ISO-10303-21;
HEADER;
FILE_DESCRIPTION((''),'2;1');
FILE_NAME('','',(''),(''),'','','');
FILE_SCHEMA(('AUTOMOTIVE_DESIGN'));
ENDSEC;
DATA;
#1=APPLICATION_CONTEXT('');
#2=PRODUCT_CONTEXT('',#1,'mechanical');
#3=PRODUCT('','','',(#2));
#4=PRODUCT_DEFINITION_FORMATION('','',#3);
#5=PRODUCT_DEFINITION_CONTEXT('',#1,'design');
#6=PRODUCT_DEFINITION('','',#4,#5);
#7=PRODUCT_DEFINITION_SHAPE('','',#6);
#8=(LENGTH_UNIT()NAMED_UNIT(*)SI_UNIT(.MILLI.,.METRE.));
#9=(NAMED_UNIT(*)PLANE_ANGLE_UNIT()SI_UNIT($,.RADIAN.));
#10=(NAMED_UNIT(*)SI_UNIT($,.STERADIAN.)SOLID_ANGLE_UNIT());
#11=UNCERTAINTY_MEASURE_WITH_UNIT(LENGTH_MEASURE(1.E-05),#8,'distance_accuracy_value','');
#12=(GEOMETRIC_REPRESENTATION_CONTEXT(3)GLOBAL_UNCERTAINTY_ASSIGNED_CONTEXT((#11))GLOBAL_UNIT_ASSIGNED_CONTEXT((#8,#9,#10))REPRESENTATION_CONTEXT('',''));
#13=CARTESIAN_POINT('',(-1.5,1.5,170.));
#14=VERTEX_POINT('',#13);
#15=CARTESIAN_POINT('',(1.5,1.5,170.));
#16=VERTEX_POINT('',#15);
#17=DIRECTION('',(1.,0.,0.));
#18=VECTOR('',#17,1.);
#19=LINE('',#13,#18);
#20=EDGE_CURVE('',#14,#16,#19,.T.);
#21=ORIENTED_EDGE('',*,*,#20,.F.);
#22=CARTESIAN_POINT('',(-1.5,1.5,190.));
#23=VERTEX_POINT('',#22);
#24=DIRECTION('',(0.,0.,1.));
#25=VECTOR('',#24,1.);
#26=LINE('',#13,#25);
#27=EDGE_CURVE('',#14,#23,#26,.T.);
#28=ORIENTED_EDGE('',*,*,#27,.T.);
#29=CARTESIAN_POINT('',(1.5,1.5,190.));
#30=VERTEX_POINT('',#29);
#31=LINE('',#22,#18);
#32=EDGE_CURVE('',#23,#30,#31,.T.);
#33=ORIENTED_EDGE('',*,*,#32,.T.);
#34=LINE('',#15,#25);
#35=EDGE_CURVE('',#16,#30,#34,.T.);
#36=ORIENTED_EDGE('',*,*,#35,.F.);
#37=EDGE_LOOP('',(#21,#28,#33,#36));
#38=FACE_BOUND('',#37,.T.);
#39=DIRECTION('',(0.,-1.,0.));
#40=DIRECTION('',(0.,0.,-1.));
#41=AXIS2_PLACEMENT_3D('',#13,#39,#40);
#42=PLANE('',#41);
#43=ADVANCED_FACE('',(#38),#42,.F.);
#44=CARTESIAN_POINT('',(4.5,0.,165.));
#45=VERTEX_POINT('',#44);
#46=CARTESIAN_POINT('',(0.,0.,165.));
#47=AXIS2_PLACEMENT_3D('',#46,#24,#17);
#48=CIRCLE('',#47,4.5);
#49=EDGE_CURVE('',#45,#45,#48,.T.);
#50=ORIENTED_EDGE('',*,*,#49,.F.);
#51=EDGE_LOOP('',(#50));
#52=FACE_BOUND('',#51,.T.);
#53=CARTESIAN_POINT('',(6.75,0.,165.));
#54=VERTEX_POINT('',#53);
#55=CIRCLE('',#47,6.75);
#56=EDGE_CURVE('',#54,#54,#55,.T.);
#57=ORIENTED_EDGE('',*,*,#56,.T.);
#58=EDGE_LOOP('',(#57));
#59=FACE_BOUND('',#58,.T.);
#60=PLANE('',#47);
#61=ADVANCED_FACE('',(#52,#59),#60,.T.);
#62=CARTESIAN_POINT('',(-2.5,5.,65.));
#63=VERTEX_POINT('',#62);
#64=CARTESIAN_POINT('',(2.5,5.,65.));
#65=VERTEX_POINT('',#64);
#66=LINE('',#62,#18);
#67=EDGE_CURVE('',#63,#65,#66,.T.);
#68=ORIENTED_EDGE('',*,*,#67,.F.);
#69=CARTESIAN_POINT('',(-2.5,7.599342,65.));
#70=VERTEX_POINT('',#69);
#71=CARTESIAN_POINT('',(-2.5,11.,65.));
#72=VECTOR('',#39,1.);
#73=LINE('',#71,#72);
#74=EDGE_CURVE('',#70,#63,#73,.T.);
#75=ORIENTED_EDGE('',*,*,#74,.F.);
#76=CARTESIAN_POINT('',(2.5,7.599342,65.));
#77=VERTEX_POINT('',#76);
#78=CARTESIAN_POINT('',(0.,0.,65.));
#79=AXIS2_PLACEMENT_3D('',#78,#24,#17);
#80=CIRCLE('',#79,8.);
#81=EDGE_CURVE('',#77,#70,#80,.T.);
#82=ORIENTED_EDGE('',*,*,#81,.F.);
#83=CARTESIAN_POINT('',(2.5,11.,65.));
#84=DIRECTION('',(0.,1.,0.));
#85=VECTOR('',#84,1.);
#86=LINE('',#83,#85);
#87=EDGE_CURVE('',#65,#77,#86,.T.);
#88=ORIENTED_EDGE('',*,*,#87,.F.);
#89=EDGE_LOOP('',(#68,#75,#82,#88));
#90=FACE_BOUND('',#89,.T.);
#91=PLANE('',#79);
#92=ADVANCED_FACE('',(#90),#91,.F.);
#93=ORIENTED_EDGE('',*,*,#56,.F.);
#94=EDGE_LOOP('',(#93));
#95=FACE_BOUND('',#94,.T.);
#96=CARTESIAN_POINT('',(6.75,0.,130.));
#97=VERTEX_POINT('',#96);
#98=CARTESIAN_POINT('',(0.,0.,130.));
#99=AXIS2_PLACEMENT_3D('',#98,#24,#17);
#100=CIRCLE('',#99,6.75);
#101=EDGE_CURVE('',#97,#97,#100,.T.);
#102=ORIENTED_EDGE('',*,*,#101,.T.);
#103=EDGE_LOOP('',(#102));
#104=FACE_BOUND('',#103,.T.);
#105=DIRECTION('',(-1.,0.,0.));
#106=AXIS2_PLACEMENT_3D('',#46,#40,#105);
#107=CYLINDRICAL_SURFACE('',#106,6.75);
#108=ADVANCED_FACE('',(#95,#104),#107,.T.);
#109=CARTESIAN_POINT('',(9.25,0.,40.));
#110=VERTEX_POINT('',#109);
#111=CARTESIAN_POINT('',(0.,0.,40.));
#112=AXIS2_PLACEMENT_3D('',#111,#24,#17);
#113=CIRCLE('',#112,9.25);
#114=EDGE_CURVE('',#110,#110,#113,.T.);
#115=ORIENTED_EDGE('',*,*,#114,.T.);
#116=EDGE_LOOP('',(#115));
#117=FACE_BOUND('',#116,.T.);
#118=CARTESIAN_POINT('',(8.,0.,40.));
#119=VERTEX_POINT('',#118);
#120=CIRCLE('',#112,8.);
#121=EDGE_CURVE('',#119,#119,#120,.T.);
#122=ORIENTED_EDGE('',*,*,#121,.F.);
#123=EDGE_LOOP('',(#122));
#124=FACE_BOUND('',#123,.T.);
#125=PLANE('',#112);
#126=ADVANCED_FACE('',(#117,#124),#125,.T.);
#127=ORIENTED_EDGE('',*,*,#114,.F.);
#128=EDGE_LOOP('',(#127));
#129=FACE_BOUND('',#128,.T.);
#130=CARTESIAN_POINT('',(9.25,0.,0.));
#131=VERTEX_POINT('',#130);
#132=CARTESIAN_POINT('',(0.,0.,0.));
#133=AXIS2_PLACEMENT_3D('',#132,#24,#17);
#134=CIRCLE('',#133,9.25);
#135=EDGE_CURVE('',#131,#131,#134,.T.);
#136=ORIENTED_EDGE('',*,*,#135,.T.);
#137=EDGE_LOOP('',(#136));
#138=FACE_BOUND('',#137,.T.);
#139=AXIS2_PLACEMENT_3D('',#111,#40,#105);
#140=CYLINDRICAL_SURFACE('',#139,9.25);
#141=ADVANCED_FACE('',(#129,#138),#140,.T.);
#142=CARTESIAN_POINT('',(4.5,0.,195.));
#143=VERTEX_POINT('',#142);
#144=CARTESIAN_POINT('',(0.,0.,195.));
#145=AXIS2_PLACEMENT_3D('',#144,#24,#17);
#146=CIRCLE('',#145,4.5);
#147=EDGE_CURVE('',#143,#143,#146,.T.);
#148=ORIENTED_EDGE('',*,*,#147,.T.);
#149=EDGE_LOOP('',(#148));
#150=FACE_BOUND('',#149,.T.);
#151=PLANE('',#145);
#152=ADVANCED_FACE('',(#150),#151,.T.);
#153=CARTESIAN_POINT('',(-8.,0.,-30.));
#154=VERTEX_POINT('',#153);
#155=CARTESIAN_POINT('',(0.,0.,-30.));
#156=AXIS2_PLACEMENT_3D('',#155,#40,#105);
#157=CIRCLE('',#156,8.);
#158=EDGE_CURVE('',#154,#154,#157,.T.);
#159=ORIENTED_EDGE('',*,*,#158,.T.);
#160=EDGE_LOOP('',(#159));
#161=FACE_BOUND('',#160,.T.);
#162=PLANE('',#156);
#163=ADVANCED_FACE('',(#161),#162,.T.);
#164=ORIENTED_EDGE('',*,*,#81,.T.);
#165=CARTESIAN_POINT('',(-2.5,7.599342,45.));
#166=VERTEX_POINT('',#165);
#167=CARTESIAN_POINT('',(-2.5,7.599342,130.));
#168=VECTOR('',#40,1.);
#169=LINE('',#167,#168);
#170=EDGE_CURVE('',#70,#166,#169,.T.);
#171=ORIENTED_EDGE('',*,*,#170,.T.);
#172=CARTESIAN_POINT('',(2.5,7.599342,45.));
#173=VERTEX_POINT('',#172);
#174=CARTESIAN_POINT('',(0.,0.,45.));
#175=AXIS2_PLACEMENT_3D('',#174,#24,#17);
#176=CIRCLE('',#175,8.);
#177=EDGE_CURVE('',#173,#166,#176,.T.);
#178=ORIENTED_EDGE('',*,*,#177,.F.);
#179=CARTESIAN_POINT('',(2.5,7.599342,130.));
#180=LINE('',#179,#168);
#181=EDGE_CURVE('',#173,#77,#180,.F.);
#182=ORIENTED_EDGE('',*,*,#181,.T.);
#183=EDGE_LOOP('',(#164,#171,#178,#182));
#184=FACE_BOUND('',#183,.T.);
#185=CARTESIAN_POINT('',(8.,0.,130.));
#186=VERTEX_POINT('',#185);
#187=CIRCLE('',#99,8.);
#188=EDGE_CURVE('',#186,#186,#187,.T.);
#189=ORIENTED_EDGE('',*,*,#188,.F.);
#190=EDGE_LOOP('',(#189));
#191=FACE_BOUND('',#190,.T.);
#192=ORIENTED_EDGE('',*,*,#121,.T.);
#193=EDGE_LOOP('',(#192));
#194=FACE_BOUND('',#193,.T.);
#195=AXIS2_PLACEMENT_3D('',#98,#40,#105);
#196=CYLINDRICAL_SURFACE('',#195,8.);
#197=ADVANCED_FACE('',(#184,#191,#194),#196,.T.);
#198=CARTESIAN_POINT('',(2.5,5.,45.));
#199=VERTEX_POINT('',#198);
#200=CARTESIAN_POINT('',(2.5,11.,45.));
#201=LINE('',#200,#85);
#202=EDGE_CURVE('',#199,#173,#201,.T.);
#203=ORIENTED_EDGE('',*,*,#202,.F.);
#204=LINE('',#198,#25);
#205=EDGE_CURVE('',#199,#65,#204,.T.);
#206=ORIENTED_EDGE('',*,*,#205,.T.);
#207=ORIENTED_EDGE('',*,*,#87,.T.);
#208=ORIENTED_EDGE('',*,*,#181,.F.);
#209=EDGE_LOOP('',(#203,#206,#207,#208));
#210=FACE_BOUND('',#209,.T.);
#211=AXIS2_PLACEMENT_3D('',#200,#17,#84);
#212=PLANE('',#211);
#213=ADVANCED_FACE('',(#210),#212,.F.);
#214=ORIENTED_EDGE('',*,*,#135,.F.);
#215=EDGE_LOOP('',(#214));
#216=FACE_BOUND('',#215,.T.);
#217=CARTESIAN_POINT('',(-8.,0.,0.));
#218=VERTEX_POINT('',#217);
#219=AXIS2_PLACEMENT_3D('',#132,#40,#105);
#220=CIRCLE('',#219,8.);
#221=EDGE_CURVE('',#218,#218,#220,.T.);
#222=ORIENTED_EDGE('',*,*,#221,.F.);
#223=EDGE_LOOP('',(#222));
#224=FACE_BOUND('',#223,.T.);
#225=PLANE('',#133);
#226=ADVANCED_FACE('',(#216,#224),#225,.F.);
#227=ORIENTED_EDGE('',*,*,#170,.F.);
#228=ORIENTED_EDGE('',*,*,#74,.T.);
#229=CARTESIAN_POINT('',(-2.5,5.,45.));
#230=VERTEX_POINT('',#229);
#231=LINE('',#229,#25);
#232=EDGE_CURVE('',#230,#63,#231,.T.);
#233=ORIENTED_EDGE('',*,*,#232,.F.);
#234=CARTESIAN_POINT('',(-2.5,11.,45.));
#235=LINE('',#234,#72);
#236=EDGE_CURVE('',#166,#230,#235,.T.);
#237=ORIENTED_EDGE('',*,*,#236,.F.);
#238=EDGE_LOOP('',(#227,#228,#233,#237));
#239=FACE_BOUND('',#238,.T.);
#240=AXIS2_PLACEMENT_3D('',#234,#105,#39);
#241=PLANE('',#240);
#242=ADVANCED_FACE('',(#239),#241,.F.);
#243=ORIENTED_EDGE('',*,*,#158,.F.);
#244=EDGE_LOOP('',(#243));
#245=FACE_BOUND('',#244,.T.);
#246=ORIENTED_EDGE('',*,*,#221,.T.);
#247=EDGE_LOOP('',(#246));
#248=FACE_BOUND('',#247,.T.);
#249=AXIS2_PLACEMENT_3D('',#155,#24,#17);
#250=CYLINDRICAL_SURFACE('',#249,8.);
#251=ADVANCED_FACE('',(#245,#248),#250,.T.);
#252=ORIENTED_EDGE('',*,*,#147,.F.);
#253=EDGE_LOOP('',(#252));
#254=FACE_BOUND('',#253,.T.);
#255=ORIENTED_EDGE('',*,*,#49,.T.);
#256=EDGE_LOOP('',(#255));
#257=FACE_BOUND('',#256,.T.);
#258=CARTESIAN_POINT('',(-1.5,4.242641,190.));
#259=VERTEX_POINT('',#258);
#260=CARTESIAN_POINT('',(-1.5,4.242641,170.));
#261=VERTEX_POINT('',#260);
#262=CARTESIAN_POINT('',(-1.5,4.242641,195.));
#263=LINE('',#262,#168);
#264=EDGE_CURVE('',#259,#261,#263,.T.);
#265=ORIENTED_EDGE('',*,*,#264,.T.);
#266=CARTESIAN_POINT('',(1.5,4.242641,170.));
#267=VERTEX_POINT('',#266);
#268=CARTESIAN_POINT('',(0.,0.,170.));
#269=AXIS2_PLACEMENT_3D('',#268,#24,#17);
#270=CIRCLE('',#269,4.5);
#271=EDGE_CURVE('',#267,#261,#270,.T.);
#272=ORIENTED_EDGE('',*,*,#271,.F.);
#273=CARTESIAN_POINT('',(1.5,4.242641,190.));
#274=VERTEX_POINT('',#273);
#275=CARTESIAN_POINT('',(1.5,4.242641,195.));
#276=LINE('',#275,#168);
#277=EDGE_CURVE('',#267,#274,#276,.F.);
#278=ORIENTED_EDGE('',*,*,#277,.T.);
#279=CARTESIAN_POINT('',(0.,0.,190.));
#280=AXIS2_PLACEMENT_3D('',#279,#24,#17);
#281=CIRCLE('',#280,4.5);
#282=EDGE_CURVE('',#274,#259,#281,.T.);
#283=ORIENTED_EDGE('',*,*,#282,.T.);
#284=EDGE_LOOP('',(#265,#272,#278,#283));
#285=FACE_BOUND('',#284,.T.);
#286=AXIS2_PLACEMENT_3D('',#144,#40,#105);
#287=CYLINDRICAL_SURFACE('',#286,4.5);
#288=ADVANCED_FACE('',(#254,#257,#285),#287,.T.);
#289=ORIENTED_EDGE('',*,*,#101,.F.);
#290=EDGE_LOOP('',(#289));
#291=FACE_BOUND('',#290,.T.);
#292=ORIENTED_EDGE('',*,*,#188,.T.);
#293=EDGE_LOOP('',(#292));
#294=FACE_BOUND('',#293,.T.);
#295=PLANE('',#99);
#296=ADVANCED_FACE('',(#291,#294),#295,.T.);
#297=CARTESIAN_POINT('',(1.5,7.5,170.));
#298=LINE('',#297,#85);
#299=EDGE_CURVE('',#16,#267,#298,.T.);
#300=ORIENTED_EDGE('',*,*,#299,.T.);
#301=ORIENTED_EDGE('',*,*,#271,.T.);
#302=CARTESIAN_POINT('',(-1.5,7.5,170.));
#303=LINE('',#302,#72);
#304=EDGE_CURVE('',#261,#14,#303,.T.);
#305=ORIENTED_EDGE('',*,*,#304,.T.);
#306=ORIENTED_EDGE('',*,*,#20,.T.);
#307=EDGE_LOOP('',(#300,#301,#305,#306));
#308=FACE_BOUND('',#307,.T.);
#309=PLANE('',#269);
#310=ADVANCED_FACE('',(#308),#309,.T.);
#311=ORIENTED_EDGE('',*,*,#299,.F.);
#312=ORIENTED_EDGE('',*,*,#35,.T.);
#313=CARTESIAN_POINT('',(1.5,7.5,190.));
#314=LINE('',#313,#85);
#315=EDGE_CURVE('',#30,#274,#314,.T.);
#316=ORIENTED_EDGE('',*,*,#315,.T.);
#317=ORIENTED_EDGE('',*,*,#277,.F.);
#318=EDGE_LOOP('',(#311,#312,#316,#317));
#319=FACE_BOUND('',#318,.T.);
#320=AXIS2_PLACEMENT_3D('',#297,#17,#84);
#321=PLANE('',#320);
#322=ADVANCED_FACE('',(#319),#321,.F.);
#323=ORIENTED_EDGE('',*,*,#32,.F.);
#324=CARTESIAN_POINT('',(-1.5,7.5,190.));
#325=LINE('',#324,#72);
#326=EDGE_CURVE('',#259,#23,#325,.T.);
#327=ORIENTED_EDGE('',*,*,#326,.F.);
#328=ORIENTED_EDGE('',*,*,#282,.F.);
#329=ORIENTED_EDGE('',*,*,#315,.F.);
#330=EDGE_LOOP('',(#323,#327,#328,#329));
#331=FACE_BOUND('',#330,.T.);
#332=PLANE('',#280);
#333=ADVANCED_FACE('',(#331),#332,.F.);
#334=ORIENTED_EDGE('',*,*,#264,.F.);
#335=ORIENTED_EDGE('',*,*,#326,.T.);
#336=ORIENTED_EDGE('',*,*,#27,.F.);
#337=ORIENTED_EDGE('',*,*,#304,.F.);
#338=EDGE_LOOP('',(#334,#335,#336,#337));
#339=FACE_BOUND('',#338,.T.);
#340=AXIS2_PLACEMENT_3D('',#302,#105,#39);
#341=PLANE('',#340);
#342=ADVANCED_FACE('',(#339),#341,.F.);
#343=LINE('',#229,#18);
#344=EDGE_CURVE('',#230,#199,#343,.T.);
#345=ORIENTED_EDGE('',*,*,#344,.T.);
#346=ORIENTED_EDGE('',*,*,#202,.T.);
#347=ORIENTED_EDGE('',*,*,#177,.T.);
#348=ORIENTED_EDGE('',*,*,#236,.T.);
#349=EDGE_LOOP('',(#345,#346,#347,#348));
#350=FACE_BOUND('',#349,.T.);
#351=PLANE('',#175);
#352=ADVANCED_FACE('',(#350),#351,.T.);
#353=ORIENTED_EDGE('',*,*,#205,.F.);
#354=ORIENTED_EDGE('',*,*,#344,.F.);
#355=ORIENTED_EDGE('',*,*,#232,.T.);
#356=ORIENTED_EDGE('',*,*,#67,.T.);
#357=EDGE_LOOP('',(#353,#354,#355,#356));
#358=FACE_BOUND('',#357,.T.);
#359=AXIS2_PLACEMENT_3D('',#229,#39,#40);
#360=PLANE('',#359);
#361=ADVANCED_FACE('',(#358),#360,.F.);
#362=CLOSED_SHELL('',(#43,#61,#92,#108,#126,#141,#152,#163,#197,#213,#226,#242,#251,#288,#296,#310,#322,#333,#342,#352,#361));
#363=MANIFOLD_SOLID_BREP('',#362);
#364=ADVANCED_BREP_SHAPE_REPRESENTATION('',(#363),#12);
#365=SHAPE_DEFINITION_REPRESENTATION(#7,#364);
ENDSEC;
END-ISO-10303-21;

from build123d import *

# Parameters (mm, degrees)
SKETCH1_R           = 9.25
BOSS_EXTRUDE1_DEPTH = 40
SKETCH2_R           = 8
BOSS_EXTRUDE2_DEPTH = 90
BOSS_EXTRUDE3_START = 30
SKETCH3_R           = 8
BOSS_EXTRUDE3_DEPTH = 30
SKETCH4_R           = 6.75
BOSS_EXTRUDE4_DEPTH = 35
SKETCH5_R           = 4.5
BOSS_EXTRUDE5_DEPTH = 30
CUT_EXTRUDE1_START  = -5
SKETCH6_W           = 3
SKETCH6_H           = 6
CUT_EXTRUDE1_DEPTH  = 20
CUT_EXTRUDE2_START  = -65
SKETCH7_W           = 5
SKETCH7_H           = 6
CUT_EXTRUDE2_DEPTH  = 20


with BuildPart() as part:
    # Sketch1 → Boss-Extrude1 (new body)
    with BuildSketch(Plane.XY):
        Circle(SKETCH1_R)
    extrude(amount=BOSS_EXTRUDE1_DEPTH)

    # Sketch2 → Boss-Extrude2 (add)
    with BuildSketch(Plane.XY.offset(40)):
        with Locations(Location((0, 0, 0), (0, 0, 180))):
            Circle(SKETCH2_R)
    extrude(amount=BOSS_EXTRUDE2_DEPTH)

    # Sketch3 → Boss-Extrude3 (add)
    with BuildSketch(Plane(origin=(0, 0, 0), x_dir=(-1, 0, 0), z_dir=(0, 0, -1)).offset(BOSS_EXTRUDE3_START)):
        Circle(SKETCH3_R)
    extrude(amount=-BOSS_EXTRUDE3_DEPTH)

    # Sketch4 → Boss-Extrude4 (add)
    with BuildSketch(Plane.XY.offset(130)):
        Circle(SKETCH4_R)
    extrude(amount=BOSS_EXTRUDE4_DEPTH)

    # Sketch5 → Boss-Extrude5 (add)
    with BuildSketch(Plane.XY.offset(165)):
        Circle(SKETCH5_R)
    extrude(amount=BOSS_EXTRUDE5_DEPTH)

    # Sketch6 → Cut-Extrude1 (cut)
    with BuildSketch(Plane.XY.offset(195).offset(CUT_EXTRUDE1_START)):
        with Locations((0, 4.5)):
            Rectangle(SKETCH6_W, SKETCH6_H)
    extrude(amount=-CUT_EXTRUDE1_DEPTH, mode=Mode.SUBTRACT)

    # Sketch7 → Cut-Extrude2 (cut)
    with BuildSketch(Plane.XY.offset(130).offset(CUT_EXTRUDE2_START)):
        with Locations((0, 8)):
            Rectangle(SKETCH7_W, SKETCH7_H)
    extrude(amount=-CUT_EXTRUDE2_DEPTH, mode=Mode.SUBTRACT)


solid = part.part
